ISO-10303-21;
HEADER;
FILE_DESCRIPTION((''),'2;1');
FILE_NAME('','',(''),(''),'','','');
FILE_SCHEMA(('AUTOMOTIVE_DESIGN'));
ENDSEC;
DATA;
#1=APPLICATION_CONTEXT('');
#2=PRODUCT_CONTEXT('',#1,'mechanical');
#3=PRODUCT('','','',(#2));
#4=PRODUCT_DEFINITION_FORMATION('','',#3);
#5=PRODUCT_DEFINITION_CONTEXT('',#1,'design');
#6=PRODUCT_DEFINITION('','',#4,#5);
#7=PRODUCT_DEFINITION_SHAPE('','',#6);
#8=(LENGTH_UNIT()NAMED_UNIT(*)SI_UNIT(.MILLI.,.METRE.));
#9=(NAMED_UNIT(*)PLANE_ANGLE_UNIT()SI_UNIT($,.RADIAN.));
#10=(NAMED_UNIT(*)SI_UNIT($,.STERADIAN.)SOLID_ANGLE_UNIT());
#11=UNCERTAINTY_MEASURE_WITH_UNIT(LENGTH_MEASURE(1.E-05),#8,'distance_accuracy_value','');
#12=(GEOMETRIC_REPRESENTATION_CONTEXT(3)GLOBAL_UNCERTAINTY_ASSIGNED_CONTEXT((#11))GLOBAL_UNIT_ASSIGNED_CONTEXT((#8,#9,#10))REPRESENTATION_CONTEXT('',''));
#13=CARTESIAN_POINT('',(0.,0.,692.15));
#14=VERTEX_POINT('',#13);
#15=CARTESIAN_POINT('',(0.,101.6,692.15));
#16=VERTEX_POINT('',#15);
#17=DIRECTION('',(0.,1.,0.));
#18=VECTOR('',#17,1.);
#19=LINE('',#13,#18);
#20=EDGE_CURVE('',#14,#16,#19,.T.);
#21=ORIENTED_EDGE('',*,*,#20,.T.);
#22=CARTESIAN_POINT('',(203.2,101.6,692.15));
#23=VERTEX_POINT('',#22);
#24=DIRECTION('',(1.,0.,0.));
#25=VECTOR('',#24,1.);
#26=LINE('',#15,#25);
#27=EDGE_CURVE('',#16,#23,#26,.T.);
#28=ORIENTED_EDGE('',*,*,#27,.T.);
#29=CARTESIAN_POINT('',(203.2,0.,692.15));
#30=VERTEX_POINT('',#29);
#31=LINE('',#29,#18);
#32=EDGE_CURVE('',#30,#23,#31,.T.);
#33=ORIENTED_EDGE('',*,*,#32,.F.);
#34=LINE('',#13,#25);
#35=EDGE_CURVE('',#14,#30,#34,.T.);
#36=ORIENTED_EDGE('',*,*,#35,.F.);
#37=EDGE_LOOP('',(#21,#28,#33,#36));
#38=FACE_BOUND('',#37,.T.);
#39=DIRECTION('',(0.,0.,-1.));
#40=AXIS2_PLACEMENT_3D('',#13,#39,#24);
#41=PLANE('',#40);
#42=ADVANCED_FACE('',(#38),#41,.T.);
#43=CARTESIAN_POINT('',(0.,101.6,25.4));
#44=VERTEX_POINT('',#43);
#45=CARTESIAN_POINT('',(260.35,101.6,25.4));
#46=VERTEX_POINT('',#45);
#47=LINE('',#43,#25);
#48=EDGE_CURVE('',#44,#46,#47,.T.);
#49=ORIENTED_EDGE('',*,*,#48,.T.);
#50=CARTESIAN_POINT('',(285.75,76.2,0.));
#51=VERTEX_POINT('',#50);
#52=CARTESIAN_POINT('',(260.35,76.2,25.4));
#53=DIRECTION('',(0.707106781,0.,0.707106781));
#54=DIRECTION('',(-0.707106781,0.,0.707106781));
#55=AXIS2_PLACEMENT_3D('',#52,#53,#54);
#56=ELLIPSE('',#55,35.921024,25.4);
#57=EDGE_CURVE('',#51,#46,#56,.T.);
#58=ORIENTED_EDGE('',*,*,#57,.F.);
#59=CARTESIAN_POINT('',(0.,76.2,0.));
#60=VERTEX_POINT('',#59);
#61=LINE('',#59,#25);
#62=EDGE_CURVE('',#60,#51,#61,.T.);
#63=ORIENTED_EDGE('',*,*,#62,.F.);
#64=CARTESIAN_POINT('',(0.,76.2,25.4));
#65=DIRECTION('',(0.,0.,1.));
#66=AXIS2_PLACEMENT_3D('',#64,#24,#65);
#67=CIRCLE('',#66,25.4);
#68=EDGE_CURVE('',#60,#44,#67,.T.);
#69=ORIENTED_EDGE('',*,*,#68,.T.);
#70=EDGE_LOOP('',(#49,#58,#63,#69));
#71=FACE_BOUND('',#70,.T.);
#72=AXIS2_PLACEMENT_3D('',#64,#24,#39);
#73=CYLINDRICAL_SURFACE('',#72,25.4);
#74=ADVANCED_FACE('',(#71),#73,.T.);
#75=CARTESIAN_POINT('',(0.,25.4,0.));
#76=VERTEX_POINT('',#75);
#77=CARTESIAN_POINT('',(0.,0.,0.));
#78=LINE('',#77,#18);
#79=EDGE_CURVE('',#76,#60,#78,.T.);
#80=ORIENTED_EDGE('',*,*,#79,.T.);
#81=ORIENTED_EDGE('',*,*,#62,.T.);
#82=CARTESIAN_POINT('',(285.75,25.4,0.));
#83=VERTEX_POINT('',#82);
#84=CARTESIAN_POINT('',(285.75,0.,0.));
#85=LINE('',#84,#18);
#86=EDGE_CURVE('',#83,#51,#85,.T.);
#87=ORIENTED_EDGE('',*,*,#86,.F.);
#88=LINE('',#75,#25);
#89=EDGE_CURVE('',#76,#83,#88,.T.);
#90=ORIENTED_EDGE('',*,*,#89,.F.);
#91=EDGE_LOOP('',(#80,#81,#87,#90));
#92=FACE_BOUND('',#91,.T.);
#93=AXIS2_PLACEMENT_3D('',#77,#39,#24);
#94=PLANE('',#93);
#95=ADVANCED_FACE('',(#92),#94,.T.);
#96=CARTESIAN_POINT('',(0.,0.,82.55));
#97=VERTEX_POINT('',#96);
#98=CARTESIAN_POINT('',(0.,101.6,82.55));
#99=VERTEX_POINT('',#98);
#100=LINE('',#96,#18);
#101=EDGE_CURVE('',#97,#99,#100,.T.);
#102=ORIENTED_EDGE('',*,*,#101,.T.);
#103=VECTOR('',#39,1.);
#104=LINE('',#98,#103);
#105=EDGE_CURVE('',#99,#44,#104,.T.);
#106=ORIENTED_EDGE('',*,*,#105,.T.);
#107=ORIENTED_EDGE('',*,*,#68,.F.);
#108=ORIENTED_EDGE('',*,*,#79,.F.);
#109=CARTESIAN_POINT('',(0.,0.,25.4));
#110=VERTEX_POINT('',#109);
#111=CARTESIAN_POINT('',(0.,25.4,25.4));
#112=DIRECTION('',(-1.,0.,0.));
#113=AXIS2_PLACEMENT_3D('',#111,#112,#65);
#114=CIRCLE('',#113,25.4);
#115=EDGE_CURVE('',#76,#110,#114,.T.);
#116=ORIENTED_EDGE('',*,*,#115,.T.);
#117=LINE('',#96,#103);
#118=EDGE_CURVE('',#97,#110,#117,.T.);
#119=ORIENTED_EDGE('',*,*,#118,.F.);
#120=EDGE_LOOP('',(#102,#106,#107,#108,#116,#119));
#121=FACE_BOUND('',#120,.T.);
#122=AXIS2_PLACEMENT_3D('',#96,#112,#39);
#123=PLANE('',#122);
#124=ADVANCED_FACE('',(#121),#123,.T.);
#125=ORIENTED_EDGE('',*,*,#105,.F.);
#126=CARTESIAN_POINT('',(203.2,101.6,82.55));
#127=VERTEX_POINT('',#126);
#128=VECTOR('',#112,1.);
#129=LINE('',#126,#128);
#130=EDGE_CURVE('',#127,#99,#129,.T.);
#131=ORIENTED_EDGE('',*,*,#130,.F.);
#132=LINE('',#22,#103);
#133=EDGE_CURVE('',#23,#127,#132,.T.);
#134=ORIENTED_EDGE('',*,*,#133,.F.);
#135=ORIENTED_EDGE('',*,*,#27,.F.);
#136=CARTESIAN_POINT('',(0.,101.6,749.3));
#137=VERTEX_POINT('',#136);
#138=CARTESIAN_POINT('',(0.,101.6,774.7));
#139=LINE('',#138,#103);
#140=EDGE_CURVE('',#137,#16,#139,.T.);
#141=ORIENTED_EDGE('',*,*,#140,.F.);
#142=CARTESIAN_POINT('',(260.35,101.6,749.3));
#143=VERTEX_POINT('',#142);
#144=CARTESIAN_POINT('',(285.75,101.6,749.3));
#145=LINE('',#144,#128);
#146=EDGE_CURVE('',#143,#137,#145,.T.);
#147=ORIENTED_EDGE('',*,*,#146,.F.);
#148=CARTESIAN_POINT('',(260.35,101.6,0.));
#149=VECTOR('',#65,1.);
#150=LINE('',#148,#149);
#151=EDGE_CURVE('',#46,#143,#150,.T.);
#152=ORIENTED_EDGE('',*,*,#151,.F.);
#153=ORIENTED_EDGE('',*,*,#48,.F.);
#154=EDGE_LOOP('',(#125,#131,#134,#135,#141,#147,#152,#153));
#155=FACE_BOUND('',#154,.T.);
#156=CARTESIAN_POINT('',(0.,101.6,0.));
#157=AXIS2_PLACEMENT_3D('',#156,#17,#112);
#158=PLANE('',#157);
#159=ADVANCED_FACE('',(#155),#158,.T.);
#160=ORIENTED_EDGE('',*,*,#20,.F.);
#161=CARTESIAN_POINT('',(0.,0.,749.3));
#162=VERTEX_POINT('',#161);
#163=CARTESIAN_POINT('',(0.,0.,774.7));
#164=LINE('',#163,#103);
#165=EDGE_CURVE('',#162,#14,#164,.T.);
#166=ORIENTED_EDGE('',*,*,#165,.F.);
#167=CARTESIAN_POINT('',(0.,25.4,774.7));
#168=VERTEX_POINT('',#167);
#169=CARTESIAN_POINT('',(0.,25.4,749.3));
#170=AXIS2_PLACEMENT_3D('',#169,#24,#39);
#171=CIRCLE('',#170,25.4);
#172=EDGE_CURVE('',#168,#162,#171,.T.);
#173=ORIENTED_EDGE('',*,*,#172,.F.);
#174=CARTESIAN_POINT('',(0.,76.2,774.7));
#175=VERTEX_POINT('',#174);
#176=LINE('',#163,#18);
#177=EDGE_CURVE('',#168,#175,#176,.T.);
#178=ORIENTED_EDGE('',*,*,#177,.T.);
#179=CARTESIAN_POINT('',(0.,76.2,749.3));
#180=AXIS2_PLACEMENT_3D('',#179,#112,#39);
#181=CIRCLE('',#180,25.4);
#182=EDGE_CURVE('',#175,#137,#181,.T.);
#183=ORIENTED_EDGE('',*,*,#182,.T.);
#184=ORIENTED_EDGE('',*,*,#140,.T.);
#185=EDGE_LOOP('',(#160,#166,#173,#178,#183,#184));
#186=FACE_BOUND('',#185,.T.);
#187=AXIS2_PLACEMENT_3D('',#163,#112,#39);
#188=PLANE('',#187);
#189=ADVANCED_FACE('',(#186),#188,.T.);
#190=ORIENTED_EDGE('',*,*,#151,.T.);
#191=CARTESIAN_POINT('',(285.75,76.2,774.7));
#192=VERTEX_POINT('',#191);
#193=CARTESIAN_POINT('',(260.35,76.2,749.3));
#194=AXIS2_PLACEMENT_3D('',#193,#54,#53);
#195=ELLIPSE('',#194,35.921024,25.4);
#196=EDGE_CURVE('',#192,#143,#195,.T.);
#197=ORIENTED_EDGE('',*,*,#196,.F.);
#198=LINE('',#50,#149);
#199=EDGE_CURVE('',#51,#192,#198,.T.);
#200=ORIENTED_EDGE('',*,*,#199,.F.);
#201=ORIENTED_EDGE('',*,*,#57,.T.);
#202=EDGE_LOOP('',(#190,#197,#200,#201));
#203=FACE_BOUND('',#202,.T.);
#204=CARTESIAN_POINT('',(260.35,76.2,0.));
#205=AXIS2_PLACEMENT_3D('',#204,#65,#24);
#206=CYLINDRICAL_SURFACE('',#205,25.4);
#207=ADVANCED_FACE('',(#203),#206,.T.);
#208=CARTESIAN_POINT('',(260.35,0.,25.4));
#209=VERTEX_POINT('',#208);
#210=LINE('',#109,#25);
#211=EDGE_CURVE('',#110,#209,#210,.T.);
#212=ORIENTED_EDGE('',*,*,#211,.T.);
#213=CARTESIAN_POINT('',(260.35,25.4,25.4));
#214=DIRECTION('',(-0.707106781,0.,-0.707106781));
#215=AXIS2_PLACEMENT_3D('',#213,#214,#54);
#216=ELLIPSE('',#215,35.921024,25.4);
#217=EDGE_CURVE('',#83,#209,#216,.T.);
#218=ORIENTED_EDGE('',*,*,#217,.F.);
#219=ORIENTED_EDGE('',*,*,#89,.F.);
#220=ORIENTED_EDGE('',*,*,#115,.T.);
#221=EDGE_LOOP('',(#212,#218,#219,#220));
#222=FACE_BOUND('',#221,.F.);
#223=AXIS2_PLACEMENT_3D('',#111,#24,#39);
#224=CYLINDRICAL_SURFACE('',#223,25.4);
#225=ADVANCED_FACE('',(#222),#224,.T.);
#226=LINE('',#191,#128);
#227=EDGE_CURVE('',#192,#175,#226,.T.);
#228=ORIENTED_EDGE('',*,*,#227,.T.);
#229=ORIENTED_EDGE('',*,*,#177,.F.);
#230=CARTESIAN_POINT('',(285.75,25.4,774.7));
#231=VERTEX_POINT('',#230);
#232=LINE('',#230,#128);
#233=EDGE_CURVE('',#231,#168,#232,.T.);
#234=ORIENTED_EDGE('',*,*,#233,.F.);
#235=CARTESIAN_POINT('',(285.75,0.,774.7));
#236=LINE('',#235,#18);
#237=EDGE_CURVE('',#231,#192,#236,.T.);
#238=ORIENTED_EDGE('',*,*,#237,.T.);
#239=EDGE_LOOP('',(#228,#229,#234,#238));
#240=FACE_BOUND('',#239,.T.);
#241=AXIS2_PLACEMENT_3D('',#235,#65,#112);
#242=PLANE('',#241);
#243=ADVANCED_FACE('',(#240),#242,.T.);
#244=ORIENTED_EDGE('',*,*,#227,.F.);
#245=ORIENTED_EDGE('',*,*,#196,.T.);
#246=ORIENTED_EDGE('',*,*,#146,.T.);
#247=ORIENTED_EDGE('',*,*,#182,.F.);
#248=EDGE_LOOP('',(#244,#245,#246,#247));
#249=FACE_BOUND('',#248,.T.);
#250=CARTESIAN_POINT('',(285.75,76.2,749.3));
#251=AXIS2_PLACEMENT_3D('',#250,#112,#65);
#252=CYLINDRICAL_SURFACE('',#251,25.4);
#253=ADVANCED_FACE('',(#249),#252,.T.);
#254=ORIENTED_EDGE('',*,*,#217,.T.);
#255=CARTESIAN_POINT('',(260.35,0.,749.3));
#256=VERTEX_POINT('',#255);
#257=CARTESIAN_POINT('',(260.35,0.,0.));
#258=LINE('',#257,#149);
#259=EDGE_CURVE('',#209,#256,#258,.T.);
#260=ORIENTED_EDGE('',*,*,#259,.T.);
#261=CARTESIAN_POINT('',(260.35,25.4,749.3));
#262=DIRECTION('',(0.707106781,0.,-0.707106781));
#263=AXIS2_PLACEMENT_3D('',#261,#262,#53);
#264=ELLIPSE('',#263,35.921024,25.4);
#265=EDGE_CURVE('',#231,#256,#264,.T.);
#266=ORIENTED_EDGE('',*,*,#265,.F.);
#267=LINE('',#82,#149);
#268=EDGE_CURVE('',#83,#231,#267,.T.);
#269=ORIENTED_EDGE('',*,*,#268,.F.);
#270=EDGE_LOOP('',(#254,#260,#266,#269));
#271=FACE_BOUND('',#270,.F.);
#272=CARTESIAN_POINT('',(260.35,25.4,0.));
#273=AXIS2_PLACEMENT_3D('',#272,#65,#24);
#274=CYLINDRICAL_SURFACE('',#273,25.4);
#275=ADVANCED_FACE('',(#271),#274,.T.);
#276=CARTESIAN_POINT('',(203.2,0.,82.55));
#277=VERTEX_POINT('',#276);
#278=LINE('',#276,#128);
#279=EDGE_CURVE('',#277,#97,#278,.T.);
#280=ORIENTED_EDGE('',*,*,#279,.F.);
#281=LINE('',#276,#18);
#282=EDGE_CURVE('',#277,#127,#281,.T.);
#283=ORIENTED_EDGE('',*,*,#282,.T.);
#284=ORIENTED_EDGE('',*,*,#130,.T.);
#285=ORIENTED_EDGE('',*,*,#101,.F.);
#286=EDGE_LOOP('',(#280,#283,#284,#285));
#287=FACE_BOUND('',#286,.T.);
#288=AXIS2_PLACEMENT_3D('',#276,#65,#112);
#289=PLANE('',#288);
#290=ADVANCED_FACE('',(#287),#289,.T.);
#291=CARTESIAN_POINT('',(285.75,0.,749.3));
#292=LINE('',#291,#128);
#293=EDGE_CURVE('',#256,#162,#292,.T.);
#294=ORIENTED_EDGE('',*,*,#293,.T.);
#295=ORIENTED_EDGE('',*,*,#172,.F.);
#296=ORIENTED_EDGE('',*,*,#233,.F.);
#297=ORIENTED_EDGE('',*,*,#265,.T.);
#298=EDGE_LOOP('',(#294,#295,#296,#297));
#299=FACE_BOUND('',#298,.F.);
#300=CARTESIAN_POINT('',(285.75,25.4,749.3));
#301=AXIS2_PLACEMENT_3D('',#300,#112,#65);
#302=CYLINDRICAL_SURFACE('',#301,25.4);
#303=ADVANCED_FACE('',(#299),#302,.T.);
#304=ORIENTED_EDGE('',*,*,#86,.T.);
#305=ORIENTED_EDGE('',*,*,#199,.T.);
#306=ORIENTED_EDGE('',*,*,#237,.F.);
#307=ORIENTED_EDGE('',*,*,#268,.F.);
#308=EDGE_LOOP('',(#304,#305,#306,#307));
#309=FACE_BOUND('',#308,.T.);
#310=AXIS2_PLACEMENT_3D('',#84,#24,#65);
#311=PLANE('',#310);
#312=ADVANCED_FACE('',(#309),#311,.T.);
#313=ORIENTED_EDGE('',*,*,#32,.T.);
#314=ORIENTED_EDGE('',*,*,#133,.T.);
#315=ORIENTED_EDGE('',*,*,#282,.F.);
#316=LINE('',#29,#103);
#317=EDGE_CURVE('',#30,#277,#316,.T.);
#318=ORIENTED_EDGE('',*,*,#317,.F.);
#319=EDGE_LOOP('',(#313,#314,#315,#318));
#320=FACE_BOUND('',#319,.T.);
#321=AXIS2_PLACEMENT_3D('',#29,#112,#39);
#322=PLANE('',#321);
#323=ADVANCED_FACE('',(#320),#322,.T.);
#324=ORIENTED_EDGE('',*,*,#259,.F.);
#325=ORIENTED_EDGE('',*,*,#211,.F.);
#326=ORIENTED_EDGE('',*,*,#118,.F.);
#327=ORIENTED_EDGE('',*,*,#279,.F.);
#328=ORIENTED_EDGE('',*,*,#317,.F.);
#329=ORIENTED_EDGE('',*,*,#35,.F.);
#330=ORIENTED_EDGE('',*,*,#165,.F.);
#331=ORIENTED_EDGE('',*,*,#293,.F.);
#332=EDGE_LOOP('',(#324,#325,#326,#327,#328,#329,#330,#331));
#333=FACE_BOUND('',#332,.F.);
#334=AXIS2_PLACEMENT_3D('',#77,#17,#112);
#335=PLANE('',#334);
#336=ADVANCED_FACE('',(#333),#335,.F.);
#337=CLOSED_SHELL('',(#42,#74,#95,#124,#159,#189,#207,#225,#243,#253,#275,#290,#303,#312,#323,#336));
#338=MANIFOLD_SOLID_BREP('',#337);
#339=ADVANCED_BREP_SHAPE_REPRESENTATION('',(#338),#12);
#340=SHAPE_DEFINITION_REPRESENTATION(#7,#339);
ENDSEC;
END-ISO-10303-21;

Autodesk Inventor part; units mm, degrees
ref_plane "YZ Plane" through (0, 0, 0) normal (1, 0, 0) x (0, 1, 0)
ref_plane "XZ Plane" through (0, 0, 0) normal (0, 1, 0) x (-1, 0, 0)
ref_plane "XY Plane" through (0, 0, 0) normal (0, 0, 1) x (1, 0, 0)
sketch "Sketch2" plane through (0, 0, 0) normal (0, 1, 0) x (-1, 0, 0)
  line L0 (0, 0) -> (-285.75, 0)
  line L1 (-285.75, 0) -> (-285.75, 774.7)
  line L2 (-285.75, 774.7) -> (0, 774.7)
  line L3 (0, 774.7) -> (0, 692.15)
  line L4 (0, 692.15) -> (-203.2, 692.15)
  line L5 (-203.2, 692.15) -> (-203.2, 82.55)
  line L6 (-203.2, 82.55) -> (0, 82.55)
  line L7 (0, 82.55) -> (0, 0)
  dimension "d0" = 82.55
  dimension "d1" = 203.2
  dimension "d2" = 82.55
  dimension "d4" = 609.6
extrude "Extrusion1" add sketch "Sketch2" along normal blind 101.6
fillet "Fillet1" radius 25.4 6 edges at (285.75, 101.6, 387.35) (285.75, 0, 387.35) (142.875, 101.6, 0) (142.875, 101.6, 774.7) (142.875, 0, 774.7) (142.875, 0, 0)
properties part number "BumperRepresentation"
